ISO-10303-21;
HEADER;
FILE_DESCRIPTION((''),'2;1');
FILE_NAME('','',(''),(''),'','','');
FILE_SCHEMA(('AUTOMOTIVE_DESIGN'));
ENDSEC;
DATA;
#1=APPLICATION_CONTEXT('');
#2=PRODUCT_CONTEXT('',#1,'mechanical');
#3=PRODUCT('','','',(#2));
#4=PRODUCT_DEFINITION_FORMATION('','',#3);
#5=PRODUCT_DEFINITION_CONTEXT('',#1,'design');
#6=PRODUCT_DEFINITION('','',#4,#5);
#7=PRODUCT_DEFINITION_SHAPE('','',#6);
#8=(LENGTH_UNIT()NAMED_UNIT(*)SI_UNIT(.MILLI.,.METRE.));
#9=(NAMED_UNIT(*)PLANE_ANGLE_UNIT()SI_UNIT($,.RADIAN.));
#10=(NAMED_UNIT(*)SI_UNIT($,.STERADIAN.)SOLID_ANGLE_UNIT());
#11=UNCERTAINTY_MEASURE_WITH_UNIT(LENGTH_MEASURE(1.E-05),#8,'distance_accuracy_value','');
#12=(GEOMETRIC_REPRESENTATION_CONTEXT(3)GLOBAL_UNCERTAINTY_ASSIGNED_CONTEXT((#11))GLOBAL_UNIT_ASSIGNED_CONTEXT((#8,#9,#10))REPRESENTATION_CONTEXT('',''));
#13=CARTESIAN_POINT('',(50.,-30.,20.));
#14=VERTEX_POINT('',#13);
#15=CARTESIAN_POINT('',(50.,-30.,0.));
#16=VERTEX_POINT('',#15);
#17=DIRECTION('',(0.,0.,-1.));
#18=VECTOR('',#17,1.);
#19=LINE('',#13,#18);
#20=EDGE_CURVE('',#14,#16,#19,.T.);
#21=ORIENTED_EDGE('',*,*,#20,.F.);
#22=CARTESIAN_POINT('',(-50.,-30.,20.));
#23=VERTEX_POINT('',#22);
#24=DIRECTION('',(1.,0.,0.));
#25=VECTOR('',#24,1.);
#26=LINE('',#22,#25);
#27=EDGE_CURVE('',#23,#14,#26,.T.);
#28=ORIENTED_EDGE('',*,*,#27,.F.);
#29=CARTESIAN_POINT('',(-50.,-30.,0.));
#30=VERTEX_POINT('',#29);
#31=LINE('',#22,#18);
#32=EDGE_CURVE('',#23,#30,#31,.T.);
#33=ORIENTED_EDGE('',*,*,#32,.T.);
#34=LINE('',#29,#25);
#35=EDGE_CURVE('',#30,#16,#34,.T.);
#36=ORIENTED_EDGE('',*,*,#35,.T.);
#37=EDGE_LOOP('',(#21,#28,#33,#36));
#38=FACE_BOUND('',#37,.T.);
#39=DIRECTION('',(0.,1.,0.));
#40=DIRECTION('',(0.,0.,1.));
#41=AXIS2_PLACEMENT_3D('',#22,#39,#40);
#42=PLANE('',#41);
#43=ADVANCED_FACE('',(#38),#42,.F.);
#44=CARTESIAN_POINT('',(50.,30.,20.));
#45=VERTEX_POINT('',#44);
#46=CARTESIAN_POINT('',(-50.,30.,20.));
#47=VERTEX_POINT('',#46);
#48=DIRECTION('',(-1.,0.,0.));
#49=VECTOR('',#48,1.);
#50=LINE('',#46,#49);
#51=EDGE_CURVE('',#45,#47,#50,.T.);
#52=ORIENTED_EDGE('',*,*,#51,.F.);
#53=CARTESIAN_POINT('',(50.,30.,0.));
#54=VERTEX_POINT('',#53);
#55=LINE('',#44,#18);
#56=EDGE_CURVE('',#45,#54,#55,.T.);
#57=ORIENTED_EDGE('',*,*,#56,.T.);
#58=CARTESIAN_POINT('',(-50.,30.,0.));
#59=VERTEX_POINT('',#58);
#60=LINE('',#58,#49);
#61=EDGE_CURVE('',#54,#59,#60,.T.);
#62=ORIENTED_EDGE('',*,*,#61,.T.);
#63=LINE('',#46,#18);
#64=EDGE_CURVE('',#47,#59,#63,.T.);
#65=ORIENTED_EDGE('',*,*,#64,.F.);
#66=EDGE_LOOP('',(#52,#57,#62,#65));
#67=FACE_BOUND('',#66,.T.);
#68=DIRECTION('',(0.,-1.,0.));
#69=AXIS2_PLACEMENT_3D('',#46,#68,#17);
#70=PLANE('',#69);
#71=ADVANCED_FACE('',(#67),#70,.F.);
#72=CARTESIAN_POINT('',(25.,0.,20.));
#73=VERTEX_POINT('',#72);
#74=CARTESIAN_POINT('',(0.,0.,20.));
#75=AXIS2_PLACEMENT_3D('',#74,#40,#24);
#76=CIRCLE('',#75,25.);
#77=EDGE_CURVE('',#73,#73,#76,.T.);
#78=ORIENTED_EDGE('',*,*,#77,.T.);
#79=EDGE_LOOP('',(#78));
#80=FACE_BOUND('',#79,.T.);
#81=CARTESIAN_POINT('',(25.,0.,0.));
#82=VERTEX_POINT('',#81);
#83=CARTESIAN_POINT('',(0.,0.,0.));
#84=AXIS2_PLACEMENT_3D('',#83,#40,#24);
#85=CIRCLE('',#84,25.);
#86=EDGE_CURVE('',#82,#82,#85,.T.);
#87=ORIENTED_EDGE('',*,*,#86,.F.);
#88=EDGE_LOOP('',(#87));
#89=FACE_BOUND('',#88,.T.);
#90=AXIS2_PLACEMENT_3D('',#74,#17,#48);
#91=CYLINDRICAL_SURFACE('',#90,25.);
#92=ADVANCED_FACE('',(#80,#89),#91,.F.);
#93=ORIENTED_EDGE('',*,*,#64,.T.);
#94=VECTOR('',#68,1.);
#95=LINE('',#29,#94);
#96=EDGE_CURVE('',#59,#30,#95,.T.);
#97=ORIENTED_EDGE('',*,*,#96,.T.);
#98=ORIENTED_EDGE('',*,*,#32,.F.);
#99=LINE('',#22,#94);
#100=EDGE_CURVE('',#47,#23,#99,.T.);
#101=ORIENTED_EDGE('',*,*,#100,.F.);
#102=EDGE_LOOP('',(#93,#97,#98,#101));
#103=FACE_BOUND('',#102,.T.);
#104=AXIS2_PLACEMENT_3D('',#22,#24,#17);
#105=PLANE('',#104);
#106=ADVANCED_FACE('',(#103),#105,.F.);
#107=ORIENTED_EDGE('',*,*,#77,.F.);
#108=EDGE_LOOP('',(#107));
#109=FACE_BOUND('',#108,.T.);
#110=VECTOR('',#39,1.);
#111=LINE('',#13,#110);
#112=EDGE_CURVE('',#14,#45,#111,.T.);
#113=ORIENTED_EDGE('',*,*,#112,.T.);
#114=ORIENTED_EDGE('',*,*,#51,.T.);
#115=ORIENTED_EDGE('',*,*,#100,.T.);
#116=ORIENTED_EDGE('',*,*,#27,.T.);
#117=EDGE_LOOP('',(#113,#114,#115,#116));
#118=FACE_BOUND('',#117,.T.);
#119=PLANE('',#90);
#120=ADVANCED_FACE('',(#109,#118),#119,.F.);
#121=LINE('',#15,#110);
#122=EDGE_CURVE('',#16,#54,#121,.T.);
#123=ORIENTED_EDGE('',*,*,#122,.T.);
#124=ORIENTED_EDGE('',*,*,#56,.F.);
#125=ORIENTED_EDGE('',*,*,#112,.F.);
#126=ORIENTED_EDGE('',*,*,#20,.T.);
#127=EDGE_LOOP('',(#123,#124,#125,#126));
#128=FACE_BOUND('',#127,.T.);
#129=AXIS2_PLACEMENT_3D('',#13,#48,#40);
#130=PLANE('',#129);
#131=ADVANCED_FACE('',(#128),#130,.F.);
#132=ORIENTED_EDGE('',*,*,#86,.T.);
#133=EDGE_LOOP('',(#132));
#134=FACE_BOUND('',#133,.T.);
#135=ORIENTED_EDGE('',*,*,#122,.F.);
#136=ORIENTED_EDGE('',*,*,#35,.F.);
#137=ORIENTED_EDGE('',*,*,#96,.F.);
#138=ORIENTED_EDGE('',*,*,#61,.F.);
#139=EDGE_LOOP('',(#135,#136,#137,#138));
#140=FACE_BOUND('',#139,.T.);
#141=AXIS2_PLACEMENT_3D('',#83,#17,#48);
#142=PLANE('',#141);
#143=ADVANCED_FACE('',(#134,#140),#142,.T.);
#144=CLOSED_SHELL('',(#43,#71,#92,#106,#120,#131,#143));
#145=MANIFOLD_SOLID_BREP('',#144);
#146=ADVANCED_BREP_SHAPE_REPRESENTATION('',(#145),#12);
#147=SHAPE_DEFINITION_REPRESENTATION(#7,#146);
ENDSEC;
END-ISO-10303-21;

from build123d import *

# Parameters (mm, degrees)
SKETCH_1_W      = 100
SKETCH_1_H      = 60
SKETCH_1_R      = 25
EXTRUDE_1_DEPTH = 20


with BuildPart() as part:
    # Эскиз1 → Бобышка-Вытянуть1 (new body)
    with BuildSketch(Plane.XY):
        Rectangle(SKETCH_1_W, SKETCH_1_H)
        Circle(SKETCH_1_R, mode=Mode.SUBTRACT)
    extrude(amount=EXTRUDE_1_DEPTH)


solid = part.part
